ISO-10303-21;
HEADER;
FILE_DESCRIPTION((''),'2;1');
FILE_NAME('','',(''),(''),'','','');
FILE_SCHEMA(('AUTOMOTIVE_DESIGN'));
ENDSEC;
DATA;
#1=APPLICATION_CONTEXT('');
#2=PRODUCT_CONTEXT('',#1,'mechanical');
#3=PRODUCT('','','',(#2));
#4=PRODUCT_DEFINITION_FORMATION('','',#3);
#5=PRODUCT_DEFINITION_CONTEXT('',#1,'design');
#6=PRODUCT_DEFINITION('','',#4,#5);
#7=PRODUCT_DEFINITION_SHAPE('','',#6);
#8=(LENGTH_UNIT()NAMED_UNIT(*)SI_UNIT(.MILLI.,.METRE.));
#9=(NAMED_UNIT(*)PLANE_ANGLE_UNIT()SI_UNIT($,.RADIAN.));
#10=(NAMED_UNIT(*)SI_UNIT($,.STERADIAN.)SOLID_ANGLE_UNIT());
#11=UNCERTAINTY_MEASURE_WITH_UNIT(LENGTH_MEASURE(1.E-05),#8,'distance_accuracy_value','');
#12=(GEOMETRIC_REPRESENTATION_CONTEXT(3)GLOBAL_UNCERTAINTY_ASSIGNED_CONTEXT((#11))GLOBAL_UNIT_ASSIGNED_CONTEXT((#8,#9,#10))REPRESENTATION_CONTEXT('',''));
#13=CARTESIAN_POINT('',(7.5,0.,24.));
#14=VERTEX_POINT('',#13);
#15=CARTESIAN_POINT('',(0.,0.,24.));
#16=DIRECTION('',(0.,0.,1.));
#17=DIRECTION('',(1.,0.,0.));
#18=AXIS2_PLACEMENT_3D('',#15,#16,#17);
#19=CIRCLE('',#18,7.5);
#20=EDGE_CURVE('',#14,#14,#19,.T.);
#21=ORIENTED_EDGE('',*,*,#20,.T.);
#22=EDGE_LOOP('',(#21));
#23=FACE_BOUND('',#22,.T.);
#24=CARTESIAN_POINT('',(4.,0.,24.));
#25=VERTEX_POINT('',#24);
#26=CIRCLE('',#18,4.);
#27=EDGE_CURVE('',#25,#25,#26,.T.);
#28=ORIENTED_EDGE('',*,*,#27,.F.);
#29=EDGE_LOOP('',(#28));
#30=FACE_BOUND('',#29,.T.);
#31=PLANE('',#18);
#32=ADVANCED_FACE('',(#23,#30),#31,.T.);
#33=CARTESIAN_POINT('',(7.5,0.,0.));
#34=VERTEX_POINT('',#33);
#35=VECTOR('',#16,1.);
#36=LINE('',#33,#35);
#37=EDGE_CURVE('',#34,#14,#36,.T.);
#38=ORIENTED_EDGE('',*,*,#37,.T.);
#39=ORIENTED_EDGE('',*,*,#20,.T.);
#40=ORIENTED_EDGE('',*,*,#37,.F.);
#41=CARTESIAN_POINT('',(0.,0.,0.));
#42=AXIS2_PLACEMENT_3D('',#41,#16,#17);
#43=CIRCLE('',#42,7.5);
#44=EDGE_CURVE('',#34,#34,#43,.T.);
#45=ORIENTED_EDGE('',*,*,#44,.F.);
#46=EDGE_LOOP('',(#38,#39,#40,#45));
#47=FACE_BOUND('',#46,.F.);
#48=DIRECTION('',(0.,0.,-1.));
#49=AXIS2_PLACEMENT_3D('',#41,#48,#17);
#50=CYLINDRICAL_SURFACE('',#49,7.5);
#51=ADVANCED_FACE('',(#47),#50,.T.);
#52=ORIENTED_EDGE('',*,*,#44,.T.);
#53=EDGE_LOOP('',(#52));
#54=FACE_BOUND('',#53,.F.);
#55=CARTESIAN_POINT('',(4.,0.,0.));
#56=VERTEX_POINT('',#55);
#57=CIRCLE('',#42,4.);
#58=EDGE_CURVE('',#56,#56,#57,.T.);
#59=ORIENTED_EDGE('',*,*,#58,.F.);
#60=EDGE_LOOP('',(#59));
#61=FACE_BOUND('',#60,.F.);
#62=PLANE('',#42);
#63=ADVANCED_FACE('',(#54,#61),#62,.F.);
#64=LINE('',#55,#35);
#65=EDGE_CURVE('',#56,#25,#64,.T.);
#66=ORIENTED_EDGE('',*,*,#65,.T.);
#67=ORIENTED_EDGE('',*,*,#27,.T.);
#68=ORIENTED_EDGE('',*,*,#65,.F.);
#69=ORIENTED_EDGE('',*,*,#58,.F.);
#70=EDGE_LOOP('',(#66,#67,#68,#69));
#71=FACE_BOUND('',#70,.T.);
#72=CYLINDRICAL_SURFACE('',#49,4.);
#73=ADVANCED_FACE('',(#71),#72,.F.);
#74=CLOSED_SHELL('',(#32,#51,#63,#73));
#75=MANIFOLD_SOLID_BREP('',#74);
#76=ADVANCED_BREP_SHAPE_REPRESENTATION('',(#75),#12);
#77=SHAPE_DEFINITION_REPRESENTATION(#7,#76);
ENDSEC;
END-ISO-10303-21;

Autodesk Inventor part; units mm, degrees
ref_plane "YZ Plane" through (0, 0, 0) normal (1, 0, 0) x (0, 1, 0)
ref_plane "XZ Plane" through (0, 0, 0) normal (0, 1, 0) x (-1, 0, 0)
ref_plane "XY Plane" through (0, 0, 0) normal (0, 0, 1) x (1, 0, 0)
sketch "Sketch1" plane through (0, 0, 0) normal (0, 0, 1) x (1, 0, 0)
  circle A0 centre (0, 0) radius 4
  circle A1 centre (0, 0) radius 7.5
  dimension "d0" = 8
  dimension "d1" = 15
extrude "Extrusion1" add sketch "Sketch1" along normal blind 24
properties part number "Linear Bearing 8mm Round_3DPrint"
